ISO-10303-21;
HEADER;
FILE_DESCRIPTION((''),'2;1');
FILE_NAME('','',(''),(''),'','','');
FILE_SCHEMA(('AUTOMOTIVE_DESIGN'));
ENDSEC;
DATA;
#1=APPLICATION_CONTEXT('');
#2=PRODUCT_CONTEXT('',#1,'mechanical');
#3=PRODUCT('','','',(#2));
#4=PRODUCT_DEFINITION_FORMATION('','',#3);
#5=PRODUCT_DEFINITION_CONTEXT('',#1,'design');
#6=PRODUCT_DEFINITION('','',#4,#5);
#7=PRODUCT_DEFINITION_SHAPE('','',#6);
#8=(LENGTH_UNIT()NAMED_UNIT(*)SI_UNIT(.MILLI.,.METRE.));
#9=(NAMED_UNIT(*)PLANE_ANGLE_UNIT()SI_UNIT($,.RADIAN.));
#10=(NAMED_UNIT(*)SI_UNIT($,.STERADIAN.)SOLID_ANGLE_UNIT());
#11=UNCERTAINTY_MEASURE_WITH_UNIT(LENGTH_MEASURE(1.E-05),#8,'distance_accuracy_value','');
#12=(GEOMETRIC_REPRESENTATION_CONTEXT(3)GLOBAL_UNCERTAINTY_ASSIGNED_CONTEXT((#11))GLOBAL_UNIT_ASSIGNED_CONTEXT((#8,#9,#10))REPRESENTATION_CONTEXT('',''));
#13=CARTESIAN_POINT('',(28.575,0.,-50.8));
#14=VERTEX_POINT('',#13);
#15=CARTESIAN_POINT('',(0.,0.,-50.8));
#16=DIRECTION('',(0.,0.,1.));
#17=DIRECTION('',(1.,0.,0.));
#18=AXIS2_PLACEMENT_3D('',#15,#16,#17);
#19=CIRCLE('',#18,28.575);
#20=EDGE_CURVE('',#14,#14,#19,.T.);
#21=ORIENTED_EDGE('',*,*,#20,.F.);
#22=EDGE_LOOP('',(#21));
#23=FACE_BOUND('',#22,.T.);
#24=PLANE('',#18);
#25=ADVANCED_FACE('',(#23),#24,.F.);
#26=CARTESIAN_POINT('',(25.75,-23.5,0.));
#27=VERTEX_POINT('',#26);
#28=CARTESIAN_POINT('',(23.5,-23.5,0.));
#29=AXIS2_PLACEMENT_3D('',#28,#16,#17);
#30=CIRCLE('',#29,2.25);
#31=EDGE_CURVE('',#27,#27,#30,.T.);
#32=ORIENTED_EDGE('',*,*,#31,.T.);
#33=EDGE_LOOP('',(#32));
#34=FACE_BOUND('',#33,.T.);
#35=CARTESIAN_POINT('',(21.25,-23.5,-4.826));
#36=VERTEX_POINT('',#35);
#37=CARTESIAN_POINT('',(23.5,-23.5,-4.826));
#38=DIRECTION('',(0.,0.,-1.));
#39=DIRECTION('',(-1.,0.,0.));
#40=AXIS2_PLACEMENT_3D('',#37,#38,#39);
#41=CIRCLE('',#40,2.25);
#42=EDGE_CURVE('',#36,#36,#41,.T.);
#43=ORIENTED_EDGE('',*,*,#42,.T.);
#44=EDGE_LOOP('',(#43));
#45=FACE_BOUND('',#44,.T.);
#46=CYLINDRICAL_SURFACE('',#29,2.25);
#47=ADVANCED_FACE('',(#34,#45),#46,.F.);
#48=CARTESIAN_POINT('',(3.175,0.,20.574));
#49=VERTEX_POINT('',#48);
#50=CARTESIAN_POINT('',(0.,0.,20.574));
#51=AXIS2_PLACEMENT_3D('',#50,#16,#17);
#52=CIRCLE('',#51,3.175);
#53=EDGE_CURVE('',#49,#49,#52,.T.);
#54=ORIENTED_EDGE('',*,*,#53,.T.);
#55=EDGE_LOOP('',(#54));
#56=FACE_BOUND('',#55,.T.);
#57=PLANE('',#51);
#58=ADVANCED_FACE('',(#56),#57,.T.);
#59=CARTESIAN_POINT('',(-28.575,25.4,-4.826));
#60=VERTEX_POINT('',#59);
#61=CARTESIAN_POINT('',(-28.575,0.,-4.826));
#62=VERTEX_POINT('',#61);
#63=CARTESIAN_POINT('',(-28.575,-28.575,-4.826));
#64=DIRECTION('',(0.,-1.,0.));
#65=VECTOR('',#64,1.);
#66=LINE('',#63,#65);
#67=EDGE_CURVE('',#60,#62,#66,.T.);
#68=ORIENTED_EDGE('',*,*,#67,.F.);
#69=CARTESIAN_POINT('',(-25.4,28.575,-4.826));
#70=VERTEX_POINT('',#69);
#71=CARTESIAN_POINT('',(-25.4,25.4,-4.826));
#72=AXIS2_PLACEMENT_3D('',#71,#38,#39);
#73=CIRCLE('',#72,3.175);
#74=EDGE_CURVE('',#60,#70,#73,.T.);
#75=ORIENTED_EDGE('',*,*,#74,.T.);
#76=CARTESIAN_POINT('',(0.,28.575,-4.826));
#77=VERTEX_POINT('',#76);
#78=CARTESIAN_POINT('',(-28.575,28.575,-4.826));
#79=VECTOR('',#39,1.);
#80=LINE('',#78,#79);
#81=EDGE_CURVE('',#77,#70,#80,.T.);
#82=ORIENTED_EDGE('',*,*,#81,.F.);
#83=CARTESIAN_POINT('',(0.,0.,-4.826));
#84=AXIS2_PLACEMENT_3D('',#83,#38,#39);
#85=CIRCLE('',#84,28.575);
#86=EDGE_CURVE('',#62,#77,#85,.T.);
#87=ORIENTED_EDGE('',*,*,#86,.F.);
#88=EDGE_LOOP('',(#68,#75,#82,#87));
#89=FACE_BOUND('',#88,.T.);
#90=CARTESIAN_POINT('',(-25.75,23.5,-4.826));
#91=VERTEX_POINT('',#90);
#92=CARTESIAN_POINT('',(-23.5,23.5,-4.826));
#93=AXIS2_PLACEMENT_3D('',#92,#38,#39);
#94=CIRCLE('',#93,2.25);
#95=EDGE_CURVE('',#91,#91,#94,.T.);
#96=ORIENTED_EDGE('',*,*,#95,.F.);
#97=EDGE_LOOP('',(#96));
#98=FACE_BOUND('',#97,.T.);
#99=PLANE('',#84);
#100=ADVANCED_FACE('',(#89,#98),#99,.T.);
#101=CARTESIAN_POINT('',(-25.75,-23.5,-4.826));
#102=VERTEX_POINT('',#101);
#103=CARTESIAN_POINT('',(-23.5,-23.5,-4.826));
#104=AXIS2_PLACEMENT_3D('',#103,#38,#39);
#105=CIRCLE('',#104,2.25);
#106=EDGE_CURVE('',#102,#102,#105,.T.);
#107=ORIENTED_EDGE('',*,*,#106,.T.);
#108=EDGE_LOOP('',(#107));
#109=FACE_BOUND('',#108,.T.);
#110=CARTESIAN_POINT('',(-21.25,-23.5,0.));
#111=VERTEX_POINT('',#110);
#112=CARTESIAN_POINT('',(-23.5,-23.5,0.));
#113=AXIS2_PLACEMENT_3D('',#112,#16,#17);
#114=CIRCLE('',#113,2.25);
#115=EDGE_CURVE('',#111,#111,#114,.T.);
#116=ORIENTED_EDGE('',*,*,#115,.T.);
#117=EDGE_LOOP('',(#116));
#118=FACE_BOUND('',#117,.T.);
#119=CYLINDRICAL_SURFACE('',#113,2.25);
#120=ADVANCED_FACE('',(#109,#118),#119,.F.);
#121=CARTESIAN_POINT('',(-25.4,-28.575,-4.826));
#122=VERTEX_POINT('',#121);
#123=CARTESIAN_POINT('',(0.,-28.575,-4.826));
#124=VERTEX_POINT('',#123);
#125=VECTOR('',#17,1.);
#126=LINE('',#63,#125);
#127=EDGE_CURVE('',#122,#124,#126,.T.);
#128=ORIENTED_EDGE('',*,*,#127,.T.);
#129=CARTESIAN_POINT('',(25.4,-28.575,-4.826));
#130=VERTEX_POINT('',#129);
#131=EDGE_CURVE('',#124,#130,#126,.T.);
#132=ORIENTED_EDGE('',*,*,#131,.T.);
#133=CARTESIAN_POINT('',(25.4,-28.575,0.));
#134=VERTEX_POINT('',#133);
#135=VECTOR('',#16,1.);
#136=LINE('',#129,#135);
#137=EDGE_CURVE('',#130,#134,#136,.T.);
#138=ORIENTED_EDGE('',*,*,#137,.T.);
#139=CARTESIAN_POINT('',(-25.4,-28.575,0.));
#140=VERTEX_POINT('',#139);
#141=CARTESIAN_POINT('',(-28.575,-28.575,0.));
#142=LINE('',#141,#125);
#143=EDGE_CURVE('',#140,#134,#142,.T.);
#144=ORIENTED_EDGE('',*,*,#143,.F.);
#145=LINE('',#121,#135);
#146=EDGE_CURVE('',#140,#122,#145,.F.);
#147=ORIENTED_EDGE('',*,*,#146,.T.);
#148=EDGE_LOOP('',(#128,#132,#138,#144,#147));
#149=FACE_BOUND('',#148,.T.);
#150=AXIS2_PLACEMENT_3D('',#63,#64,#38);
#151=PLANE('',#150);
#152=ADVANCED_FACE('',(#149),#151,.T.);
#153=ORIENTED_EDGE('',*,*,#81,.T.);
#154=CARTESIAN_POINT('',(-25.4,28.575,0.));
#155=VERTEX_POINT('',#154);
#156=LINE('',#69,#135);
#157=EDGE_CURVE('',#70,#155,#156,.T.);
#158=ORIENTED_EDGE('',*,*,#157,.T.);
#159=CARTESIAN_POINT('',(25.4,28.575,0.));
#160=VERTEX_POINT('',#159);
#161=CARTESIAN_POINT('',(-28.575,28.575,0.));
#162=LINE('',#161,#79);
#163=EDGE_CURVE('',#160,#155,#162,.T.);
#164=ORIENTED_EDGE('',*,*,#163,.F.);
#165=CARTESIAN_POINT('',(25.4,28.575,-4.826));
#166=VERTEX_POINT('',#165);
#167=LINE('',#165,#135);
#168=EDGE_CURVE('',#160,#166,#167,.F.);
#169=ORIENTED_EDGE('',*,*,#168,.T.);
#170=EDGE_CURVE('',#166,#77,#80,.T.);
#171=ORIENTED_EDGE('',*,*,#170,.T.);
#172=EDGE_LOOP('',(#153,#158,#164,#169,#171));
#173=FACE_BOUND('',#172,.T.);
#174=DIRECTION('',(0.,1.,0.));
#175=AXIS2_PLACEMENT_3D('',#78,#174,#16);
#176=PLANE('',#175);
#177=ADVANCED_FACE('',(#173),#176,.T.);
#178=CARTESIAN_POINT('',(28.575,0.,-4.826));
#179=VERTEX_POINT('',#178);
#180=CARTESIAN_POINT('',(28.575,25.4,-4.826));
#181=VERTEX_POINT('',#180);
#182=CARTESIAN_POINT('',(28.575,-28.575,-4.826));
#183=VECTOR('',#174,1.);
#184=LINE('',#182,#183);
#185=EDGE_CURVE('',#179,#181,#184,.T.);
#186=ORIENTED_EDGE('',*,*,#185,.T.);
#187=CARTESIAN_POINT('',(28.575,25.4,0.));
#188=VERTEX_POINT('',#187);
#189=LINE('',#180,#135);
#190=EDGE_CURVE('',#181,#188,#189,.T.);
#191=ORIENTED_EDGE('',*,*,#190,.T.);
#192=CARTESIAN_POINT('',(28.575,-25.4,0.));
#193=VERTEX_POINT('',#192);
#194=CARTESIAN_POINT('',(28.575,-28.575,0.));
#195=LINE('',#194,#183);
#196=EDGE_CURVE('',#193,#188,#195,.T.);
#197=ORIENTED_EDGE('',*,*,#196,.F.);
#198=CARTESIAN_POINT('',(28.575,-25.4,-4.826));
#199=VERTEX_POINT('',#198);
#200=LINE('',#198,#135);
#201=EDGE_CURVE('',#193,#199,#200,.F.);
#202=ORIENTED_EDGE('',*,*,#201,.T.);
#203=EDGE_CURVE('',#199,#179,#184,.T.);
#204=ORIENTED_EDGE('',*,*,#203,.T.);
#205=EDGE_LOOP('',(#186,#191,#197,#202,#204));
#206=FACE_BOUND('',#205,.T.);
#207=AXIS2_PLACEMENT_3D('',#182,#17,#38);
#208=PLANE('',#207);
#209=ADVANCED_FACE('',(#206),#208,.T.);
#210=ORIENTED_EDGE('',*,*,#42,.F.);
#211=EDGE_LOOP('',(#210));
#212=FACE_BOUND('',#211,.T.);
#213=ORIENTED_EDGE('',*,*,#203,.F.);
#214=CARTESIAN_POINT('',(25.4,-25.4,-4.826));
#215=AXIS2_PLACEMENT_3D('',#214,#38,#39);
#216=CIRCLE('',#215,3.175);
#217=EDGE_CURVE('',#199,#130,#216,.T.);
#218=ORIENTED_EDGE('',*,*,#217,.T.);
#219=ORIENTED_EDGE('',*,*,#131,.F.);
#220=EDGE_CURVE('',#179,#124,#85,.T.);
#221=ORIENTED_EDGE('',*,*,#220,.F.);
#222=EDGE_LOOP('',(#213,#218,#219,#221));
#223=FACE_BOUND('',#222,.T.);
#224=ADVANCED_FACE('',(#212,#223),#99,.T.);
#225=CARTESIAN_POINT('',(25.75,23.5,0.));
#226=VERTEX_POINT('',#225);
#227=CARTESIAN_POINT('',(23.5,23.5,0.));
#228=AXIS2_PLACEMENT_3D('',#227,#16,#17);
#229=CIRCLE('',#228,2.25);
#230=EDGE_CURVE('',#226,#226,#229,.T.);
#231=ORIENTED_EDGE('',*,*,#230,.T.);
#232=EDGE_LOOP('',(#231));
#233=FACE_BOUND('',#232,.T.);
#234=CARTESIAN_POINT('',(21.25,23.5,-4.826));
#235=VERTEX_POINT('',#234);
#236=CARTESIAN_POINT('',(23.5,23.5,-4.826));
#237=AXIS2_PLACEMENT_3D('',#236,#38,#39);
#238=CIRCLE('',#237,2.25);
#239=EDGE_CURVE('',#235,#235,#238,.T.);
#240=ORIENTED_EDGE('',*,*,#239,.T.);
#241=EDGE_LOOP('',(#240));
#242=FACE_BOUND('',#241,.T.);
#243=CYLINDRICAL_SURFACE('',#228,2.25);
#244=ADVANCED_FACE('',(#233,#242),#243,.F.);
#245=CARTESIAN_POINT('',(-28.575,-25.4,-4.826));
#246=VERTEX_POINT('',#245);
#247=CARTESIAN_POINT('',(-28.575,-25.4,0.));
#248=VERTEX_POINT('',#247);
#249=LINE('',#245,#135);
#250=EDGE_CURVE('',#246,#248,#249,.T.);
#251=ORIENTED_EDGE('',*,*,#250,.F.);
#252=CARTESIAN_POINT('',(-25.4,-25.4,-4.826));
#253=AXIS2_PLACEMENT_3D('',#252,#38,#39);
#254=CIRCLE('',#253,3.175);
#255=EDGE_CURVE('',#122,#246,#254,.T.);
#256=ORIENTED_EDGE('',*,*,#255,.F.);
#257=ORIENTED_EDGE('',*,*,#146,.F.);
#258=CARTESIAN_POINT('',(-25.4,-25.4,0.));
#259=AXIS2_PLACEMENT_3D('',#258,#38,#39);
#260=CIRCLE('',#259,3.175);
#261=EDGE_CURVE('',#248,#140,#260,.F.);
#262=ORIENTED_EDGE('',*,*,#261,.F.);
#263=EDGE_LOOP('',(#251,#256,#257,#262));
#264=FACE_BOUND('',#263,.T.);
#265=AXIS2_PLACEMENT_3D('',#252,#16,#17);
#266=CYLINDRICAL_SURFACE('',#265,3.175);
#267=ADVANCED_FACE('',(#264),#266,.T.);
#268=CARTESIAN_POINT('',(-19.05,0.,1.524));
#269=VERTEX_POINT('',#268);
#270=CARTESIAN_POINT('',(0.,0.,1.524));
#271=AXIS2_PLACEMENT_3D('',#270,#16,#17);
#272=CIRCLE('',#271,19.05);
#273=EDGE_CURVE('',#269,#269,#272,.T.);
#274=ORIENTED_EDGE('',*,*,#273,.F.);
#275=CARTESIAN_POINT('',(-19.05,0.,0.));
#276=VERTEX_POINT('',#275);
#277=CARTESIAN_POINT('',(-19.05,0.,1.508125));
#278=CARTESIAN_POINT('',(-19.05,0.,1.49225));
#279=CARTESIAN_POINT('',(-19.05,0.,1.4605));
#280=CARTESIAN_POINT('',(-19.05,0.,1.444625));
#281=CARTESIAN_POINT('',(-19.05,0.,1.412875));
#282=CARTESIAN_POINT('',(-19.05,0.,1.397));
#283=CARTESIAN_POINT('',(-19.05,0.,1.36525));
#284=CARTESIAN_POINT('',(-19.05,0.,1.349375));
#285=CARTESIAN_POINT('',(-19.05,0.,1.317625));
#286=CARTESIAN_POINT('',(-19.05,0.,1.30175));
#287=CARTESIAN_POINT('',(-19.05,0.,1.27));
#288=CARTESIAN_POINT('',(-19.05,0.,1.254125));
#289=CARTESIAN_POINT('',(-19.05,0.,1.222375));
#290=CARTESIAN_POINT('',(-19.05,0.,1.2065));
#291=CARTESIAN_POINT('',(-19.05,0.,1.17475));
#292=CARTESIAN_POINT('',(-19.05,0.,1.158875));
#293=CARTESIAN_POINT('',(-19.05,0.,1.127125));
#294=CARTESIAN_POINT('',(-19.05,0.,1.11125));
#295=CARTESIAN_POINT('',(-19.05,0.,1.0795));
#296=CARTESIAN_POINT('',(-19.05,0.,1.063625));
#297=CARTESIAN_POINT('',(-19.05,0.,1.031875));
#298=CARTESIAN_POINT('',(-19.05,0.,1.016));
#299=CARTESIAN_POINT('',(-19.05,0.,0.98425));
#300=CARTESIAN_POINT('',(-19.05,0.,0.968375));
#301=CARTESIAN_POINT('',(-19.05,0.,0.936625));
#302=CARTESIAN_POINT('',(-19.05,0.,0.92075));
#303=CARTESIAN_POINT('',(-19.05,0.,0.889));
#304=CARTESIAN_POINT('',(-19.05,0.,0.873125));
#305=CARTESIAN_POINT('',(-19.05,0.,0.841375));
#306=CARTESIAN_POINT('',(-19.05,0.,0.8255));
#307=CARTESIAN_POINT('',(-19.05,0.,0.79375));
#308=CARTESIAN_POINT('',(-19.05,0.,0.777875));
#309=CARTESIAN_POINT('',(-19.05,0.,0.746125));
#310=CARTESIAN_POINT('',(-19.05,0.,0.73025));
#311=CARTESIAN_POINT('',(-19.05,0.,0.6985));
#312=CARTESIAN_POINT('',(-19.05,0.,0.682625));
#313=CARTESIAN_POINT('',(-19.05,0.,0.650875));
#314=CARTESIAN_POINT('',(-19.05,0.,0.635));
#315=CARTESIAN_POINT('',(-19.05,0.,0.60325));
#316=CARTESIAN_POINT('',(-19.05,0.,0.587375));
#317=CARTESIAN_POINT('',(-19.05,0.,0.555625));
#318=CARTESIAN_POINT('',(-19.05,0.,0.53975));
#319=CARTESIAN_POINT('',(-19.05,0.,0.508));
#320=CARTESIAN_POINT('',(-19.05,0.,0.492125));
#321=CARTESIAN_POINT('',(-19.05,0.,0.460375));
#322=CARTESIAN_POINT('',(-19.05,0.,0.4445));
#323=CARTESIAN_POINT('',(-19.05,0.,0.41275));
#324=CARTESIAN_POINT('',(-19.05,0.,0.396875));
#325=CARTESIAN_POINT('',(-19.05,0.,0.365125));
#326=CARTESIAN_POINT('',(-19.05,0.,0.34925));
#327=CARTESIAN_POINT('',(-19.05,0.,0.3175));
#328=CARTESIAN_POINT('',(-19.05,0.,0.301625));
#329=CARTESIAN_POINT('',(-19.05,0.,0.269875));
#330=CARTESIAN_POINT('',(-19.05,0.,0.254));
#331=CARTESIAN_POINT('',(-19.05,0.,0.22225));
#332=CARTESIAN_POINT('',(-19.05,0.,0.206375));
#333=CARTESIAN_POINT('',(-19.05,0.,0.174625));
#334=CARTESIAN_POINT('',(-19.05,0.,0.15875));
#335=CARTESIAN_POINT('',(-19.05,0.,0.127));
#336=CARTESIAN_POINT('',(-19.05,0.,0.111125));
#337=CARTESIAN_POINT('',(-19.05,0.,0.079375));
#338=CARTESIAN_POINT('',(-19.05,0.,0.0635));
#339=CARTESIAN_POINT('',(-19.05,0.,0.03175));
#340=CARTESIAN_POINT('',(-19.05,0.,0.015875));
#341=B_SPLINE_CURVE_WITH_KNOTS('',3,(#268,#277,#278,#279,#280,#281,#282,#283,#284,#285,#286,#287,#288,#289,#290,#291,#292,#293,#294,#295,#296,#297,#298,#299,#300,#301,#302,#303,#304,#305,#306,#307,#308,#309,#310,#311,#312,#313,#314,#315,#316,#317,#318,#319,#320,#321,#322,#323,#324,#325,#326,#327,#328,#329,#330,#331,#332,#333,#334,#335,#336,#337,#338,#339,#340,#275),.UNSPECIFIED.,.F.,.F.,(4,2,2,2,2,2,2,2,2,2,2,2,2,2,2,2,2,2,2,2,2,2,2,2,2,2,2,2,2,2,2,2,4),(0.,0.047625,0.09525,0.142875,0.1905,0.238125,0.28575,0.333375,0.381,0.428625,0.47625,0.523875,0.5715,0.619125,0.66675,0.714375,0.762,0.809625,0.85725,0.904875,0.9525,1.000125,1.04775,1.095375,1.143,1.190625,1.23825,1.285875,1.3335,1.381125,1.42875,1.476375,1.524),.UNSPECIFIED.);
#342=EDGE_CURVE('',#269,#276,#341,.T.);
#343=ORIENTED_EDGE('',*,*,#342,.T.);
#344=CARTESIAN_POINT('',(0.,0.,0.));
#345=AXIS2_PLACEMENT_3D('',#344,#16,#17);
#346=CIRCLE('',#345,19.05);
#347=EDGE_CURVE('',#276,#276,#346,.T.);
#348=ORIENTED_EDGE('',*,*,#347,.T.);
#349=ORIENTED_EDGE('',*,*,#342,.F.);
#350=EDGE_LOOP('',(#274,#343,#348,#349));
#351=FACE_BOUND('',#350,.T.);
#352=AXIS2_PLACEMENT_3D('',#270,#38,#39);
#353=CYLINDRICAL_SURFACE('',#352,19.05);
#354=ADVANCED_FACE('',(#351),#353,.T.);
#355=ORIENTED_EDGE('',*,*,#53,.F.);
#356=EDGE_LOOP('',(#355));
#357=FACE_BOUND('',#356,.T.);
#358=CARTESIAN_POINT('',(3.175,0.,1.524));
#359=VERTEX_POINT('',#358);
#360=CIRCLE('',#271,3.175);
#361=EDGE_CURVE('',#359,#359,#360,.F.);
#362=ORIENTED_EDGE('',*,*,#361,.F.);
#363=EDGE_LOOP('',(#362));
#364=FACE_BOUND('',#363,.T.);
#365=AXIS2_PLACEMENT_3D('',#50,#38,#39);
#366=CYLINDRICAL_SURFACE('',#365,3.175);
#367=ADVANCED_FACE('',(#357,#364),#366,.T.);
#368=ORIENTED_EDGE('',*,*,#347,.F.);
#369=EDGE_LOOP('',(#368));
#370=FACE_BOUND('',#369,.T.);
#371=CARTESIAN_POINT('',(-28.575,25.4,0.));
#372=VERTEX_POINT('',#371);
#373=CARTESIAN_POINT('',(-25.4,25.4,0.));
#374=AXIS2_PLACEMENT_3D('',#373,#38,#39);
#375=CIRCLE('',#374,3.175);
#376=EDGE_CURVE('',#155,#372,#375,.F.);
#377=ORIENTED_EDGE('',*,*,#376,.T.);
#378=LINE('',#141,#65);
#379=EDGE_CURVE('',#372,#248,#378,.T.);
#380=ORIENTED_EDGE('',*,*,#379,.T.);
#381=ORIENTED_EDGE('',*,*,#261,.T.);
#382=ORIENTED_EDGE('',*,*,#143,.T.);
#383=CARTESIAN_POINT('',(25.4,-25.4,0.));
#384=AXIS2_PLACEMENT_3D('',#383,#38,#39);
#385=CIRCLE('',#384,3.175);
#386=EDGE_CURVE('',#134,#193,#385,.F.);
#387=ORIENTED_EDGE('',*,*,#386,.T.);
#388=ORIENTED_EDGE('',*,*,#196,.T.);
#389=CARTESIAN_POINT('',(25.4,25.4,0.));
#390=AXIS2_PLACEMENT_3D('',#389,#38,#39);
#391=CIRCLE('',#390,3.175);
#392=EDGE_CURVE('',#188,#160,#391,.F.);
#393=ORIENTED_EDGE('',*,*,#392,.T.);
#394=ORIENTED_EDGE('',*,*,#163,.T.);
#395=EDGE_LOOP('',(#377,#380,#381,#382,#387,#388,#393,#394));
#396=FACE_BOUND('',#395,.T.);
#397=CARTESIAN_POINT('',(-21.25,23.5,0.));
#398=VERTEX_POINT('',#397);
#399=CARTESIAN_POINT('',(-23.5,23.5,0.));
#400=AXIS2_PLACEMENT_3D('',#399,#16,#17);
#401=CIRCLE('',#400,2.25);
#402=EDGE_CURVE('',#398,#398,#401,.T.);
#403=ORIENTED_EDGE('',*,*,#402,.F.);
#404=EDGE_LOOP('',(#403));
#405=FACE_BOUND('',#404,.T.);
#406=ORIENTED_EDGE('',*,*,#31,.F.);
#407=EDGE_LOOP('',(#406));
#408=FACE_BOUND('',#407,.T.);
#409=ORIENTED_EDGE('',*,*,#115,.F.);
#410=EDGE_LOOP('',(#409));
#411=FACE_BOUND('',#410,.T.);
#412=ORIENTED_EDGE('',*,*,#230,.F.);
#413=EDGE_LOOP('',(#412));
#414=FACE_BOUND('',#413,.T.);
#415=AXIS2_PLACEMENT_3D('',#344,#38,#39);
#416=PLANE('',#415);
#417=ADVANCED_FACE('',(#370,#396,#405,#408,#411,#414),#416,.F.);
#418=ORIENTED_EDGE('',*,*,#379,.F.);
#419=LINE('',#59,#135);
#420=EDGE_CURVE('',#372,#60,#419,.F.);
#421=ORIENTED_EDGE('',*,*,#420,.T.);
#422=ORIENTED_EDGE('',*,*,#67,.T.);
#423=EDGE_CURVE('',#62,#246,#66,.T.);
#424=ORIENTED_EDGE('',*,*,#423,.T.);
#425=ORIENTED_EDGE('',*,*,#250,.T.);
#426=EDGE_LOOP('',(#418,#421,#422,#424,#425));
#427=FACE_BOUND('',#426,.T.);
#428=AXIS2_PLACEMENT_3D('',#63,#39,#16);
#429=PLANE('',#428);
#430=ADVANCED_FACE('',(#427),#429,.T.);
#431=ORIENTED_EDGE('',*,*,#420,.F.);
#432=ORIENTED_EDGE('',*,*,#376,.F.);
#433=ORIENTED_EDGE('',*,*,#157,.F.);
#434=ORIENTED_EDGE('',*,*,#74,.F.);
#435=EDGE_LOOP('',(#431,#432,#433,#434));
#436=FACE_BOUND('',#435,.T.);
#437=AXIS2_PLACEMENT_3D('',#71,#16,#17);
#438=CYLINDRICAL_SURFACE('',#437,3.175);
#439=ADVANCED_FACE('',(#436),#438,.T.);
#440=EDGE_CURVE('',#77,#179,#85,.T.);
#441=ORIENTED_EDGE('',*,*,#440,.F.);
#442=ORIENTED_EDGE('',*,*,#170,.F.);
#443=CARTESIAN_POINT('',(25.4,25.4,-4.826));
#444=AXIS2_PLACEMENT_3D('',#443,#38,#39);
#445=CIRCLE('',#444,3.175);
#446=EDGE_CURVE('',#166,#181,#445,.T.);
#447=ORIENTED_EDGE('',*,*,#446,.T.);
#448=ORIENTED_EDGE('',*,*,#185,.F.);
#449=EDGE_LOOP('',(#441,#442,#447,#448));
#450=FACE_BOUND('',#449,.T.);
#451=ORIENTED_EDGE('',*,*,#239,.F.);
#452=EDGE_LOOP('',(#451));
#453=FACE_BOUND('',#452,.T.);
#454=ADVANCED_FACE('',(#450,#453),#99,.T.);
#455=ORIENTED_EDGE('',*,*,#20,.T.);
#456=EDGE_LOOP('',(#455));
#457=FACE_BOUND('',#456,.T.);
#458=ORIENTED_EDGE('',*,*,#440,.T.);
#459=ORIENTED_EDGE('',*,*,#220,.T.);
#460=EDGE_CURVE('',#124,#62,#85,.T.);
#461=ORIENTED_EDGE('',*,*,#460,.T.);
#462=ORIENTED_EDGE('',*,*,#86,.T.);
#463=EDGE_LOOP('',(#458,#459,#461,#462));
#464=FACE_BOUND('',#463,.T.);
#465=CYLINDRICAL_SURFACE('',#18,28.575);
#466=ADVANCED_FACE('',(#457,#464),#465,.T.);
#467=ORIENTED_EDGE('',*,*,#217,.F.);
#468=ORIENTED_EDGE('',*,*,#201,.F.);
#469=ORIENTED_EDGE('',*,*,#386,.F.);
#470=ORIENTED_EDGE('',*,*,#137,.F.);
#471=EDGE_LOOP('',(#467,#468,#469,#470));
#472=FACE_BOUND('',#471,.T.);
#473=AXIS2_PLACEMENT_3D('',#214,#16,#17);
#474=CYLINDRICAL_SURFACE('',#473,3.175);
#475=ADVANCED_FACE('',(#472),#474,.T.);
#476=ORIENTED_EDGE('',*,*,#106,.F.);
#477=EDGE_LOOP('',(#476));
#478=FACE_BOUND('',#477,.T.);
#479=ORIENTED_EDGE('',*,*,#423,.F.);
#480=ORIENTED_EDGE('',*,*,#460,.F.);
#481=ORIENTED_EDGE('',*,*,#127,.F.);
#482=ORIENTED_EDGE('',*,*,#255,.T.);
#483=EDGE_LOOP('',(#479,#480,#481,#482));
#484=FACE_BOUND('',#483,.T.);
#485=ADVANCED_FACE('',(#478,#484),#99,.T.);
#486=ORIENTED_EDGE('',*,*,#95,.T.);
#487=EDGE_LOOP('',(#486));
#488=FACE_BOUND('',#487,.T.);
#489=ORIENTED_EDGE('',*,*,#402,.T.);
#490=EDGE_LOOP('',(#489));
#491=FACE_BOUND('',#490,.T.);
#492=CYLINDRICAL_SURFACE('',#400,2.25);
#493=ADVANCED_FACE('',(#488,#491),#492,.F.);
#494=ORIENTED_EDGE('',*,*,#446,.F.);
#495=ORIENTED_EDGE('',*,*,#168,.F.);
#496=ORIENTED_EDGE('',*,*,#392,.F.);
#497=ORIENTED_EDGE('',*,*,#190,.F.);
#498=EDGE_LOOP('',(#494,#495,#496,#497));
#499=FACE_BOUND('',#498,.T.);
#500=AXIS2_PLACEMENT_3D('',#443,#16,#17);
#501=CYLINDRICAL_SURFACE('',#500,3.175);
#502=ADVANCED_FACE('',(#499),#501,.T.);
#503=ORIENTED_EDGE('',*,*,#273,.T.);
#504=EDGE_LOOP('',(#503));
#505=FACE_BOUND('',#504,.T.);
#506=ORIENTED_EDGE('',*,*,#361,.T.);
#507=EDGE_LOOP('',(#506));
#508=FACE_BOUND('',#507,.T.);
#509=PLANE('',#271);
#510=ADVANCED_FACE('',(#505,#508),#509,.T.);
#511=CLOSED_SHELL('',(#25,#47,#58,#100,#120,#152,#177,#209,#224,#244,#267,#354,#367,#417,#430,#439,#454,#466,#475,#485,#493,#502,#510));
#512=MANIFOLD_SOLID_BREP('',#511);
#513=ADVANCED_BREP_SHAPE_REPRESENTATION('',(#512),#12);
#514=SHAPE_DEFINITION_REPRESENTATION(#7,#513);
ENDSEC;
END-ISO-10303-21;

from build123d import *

# Parameters (mm, degrees)
SKETCH1_W            = 57.15
SKETCH1_H            = 57.15
BOSS_EXTRUDE1_DEPTH  = 4.826
SKETCH2_R            = 19.05
BOSS_EXTRUDE2_DEPTH  = 1.524
SKETCH3_R            = 3.175
BOSS_EXTRUDE3_DEPTH  = 20.574
SKETCH5_R            = 28.575
BOSS_EXTRUDE4_DEPTH  = 50.8
M4_CLEARANCE_HOLE1_D = 4.5
FILLET1_R            = 3.175


with BuildPart() as part:
    # Sketch1 → Boss-Extrude1 (new body)
    with BuildSketch(Plane.XY):
        Rectangle(SKETCH1_W, SKETCH1_H)
    extrude(amount=-BOSS_EXTRUDE1_DEPTH)

    # Sketch2 → Boss-Extrude2 (add)
    with BuildSketch(Plane.XY):
        with Locations(Location((0, 0, 0), (0, 0, 180))):
            Circle(SKETCH2_R)
    extrude(amount=BOSS_EXTRUDE2_DEPTH)

    # Sketch3 → Boss-Extrude3 (add)
    with BuildSketch(Plane.XY):
        Circle(SKETCH3_R)
    extrude(amount=BOSS_EXTRUDE3_DEPTH)

    # Sketch5 → Boss-Extrude4 (add)
    with BuildSketch(Plane.XY):
        Circle(SKETCH5_R)
    extrude(amount=-BOSS_EXTRUDE4_DEPTH)

    # M4 Clearance Hole1 (through all)
    with Locations(Plane.XY):
        with Locations((-23.5, 23.5), (23.5, 23.5), (23.5, -23.5), (-23.5, -23.5)):
            Hole(M4_CLEARANCE_HOLE1_D / 2)

    # Fillet1
    fillet1_edges = [part.edges().sort_by_distance(p)[0] for p in [
        (28.575, -28.575, -2.413),
        (-28.575, -28.575, -2.413),
        (-28.575, 28.575, -2.413),
        (28.575, 28.575, -2.413),
    ]]
    fillet(fillet1_edges, radius=FILLET1_R)


solid = part.part
